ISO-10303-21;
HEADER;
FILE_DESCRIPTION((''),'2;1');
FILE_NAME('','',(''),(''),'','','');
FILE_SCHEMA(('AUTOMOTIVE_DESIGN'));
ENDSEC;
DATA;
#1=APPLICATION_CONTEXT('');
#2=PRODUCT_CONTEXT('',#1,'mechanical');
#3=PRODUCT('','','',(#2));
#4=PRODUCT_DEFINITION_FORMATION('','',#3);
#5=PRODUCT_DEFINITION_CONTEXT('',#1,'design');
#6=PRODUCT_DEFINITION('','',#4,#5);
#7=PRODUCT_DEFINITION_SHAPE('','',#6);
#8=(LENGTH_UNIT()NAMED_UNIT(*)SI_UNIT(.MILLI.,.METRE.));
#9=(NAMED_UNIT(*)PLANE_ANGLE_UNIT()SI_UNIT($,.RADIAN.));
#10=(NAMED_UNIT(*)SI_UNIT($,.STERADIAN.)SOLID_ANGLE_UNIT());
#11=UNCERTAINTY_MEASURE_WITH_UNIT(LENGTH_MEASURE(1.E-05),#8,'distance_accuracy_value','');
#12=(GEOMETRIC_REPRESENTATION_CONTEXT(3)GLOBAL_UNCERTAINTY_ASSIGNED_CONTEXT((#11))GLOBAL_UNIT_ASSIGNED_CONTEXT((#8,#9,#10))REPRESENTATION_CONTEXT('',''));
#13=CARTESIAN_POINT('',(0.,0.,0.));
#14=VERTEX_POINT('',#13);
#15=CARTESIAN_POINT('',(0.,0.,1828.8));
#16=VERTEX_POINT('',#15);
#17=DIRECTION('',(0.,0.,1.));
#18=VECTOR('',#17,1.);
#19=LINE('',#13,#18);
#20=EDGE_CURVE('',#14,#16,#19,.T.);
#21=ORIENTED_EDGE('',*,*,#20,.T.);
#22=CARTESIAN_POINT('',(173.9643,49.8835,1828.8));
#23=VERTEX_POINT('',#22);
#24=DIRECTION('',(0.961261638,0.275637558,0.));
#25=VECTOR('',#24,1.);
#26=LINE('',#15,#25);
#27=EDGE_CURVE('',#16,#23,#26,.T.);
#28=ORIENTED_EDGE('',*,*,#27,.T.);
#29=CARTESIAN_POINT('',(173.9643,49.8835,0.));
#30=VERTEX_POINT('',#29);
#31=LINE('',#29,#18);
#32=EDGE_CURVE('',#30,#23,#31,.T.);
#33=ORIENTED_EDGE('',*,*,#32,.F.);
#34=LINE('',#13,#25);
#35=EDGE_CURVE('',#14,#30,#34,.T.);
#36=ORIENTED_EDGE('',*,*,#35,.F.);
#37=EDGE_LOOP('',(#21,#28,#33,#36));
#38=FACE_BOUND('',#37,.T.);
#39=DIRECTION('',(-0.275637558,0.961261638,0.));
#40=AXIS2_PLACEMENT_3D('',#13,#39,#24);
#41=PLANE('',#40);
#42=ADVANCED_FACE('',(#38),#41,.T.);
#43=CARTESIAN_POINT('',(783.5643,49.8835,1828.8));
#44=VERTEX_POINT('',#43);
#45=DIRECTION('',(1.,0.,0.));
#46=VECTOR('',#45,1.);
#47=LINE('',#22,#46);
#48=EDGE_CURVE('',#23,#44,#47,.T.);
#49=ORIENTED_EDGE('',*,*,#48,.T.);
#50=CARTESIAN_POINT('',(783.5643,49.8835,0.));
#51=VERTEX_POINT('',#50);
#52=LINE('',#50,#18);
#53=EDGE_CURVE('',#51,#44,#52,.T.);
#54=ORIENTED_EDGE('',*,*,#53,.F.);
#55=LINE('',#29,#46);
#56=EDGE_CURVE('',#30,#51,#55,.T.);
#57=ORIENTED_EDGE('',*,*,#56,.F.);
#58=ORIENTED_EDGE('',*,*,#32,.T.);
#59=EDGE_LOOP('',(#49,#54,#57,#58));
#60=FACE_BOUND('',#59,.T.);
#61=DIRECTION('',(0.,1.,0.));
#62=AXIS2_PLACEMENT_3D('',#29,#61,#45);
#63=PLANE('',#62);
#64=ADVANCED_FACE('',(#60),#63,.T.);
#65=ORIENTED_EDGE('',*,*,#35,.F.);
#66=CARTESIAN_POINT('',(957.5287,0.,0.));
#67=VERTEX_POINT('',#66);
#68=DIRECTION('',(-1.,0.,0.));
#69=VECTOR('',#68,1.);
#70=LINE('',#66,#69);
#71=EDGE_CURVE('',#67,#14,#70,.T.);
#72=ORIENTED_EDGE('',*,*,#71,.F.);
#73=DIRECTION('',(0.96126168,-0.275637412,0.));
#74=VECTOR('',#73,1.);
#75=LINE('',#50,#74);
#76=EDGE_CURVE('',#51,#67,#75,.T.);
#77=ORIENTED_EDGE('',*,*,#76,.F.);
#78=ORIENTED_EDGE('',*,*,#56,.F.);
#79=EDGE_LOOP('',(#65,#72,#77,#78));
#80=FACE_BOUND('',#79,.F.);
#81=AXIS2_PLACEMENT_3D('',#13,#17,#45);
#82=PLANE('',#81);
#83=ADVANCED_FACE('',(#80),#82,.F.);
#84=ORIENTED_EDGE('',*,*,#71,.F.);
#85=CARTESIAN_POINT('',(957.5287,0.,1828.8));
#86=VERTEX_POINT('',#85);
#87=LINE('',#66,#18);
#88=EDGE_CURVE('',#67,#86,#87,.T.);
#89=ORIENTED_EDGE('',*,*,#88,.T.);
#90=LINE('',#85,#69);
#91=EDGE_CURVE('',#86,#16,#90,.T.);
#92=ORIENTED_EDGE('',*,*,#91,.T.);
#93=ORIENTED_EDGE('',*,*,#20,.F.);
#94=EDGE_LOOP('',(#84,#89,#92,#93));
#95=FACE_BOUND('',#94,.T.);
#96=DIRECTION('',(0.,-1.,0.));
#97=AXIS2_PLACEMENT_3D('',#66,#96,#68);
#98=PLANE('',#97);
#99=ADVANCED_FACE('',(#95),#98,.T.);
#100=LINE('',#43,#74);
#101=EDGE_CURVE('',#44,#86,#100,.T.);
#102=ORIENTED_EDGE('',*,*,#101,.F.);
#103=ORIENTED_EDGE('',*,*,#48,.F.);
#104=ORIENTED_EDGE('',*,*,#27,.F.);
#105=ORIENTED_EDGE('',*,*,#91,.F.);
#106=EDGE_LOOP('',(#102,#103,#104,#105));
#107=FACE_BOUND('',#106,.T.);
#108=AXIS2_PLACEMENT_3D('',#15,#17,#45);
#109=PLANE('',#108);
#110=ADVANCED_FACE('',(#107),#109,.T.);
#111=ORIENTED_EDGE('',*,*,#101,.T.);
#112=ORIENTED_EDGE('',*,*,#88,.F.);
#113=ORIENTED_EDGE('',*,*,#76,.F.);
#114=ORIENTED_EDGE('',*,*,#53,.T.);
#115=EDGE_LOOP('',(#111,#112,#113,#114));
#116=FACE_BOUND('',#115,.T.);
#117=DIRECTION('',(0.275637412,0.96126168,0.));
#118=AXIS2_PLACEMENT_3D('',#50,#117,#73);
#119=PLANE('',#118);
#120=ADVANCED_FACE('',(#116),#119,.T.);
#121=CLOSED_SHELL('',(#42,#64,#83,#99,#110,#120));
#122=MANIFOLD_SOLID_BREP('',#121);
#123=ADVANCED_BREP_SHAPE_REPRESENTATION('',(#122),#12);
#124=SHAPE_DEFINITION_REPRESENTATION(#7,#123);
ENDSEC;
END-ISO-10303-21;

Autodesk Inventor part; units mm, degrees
ref_plane "YZ Plane" through (0, 0, 0) normal (1, 0, 0) x (0, 1, 0)
ref_plane "XZ Plane" through (0, 0, 0) normal (0, 1, 0) x (-1, 0, 0)
ref_plane "XY Plane" through (0, 0, 0) normal (0, 0, 1) x (1, 0, 0)
sketch "Sketch1" plane through (0, 0, 0) normal (0, 0, 1) x (1, 0, 0)
  line L0 (0, 0) -> (173.9643, 49.8835)
  line L1 (173.9643, 49.8835) -> (783.5643, 49.8835)
  line L2 (783.5643, 49.8835) -> (957.5287, 0)
  line L3 (957.5287, 0) -> (0, 0)
  dimension "incline" = 180.975
  dimension "Width" = 609.6
  dimension "d2" = 49.8835
  dimension "angle" = 16
extrude "Extrusion1" add sketch "Sketch1" along normal blind 1828.8
properties part number "two sides with ramps"
